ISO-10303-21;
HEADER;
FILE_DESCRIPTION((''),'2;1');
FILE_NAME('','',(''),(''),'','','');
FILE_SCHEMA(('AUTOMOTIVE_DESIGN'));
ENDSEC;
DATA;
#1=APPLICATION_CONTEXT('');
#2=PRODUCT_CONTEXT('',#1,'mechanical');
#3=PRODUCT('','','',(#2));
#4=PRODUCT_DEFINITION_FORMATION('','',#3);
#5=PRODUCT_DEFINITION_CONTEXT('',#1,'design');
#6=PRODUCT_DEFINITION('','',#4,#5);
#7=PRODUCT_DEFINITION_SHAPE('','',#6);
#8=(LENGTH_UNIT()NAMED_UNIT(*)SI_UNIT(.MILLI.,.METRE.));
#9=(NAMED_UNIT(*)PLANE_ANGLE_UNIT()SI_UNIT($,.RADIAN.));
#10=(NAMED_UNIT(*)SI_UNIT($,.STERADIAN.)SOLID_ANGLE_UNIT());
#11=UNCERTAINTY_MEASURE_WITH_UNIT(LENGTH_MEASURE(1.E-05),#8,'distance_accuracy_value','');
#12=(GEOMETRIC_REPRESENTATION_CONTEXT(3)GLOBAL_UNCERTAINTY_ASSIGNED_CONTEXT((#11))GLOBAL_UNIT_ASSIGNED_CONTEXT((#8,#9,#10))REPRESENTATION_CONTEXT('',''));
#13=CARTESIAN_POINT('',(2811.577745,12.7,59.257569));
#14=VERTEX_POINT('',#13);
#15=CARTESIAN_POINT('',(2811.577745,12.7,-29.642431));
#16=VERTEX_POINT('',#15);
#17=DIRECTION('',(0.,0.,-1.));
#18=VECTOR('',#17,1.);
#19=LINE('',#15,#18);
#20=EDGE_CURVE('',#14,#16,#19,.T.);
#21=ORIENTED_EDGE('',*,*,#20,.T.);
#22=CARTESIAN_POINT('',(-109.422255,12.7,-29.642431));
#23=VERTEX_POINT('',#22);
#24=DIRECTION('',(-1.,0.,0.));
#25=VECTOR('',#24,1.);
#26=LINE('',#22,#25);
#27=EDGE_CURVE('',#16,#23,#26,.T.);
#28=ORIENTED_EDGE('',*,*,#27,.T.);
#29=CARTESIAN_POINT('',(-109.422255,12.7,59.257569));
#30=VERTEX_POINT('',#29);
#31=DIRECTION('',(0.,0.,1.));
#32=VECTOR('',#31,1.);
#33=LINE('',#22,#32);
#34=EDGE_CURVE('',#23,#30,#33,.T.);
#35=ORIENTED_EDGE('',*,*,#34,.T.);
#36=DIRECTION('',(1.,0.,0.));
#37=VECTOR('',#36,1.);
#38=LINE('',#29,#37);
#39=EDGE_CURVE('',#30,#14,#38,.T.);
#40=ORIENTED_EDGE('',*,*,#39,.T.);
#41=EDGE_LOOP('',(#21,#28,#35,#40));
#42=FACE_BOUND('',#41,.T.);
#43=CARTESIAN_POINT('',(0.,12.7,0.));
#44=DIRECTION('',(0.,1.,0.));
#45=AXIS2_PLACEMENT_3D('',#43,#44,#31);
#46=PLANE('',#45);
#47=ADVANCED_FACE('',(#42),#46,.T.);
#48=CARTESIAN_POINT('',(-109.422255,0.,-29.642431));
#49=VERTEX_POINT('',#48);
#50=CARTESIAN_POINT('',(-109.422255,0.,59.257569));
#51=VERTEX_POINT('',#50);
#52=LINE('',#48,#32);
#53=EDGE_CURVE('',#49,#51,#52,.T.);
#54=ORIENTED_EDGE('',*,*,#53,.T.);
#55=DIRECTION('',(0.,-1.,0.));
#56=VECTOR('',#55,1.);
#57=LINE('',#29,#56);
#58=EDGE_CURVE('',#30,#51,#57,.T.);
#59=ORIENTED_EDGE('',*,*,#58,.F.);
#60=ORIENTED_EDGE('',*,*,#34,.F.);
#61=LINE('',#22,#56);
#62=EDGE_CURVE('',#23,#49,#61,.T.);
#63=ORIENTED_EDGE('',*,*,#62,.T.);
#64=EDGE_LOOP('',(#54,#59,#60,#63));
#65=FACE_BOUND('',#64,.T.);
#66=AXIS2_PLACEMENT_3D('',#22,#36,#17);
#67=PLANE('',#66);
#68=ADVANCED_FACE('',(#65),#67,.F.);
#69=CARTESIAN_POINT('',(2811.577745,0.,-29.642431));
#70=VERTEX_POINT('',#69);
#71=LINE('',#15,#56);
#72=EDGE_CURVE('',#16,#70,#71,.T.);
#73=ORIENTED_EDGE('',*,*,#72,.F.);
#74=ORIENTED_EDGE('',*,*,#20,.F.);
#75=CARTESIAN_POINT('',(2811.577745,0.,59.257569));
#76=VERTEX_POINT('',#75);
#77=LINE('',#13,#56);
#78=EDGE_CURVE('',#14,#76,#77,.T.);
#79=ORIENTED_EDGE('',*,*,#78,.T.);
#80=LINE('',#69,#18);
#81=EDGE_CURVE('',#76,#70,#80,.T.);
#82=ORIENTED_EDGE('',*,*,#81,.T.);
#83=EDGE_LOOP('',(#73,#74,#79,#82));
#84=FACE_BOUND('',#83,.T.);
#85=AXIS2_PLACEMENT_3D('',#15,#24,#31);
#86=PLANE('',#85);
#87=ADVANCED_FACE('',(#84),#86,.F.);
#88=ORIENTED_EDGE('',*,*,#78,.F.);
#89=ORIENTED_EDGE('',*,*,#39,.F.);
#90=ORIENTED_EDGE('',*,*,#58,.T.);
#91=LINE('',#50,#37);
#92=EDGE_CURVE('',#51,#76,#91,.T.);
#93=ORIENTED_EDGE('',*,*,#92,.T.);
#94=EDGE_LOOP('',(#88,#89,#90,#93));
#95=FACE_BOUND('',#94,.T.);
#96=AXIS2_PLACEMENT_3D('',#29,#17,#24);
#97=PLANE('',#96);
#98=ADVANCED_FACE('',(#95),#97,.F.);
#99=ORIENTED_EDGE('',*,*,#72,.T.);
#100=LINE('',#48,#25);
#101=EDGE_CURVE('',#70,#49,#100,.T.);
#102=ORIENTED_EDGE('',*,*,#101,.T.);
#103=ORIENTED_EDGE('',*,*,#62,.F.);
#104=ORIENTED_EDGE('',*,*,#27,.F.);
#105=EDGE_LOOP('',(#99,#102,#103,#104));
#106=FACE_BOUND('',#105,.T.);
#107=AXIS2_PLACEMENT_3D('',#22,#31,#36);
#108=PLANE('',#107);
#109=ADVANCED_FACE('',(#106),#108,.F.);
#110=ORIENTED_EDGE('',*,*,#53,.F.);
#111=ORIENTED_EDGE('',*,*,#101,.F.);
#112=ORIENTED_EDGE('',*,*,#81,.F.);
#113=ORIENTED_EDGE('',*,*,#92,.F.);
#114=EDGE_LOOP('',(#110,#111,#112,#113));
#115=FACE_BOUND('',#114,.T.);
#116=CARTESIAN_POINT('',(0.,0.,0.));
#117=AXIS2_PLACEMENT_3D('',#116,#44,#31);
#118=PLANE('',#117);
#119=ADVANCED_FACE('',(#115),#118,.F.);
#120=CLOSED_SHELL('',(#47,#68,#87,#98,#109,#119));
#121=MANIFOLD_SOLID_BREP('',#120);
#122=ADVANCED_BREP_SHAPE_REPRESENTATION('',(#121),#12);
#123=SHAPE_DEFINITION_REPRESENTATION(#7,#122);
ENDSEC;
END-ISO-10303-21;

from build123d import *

# Parameters (mm, degrees)
SKETCH1_W           = 2921
SKETCH1_H           = 88.9
BOSS_EXTRUDE1_DEPTH = 12.7


with BuildPart() as part:
    # Sketch1 → Boss-Extrude1 (new body)
    with BuildSketch(Plane(origin=(0, 0, 0), x_dir=(1, 0, 0), z_dir=(0, 1, 0))):
        with Locations((1351.077744586, -14.807568904)):
            Rectangle(SKETCH1_W, SKETCH1_H)
    extrude(amount=BOSS_EXTRUDE1_DEPTH)


solid = part.part
